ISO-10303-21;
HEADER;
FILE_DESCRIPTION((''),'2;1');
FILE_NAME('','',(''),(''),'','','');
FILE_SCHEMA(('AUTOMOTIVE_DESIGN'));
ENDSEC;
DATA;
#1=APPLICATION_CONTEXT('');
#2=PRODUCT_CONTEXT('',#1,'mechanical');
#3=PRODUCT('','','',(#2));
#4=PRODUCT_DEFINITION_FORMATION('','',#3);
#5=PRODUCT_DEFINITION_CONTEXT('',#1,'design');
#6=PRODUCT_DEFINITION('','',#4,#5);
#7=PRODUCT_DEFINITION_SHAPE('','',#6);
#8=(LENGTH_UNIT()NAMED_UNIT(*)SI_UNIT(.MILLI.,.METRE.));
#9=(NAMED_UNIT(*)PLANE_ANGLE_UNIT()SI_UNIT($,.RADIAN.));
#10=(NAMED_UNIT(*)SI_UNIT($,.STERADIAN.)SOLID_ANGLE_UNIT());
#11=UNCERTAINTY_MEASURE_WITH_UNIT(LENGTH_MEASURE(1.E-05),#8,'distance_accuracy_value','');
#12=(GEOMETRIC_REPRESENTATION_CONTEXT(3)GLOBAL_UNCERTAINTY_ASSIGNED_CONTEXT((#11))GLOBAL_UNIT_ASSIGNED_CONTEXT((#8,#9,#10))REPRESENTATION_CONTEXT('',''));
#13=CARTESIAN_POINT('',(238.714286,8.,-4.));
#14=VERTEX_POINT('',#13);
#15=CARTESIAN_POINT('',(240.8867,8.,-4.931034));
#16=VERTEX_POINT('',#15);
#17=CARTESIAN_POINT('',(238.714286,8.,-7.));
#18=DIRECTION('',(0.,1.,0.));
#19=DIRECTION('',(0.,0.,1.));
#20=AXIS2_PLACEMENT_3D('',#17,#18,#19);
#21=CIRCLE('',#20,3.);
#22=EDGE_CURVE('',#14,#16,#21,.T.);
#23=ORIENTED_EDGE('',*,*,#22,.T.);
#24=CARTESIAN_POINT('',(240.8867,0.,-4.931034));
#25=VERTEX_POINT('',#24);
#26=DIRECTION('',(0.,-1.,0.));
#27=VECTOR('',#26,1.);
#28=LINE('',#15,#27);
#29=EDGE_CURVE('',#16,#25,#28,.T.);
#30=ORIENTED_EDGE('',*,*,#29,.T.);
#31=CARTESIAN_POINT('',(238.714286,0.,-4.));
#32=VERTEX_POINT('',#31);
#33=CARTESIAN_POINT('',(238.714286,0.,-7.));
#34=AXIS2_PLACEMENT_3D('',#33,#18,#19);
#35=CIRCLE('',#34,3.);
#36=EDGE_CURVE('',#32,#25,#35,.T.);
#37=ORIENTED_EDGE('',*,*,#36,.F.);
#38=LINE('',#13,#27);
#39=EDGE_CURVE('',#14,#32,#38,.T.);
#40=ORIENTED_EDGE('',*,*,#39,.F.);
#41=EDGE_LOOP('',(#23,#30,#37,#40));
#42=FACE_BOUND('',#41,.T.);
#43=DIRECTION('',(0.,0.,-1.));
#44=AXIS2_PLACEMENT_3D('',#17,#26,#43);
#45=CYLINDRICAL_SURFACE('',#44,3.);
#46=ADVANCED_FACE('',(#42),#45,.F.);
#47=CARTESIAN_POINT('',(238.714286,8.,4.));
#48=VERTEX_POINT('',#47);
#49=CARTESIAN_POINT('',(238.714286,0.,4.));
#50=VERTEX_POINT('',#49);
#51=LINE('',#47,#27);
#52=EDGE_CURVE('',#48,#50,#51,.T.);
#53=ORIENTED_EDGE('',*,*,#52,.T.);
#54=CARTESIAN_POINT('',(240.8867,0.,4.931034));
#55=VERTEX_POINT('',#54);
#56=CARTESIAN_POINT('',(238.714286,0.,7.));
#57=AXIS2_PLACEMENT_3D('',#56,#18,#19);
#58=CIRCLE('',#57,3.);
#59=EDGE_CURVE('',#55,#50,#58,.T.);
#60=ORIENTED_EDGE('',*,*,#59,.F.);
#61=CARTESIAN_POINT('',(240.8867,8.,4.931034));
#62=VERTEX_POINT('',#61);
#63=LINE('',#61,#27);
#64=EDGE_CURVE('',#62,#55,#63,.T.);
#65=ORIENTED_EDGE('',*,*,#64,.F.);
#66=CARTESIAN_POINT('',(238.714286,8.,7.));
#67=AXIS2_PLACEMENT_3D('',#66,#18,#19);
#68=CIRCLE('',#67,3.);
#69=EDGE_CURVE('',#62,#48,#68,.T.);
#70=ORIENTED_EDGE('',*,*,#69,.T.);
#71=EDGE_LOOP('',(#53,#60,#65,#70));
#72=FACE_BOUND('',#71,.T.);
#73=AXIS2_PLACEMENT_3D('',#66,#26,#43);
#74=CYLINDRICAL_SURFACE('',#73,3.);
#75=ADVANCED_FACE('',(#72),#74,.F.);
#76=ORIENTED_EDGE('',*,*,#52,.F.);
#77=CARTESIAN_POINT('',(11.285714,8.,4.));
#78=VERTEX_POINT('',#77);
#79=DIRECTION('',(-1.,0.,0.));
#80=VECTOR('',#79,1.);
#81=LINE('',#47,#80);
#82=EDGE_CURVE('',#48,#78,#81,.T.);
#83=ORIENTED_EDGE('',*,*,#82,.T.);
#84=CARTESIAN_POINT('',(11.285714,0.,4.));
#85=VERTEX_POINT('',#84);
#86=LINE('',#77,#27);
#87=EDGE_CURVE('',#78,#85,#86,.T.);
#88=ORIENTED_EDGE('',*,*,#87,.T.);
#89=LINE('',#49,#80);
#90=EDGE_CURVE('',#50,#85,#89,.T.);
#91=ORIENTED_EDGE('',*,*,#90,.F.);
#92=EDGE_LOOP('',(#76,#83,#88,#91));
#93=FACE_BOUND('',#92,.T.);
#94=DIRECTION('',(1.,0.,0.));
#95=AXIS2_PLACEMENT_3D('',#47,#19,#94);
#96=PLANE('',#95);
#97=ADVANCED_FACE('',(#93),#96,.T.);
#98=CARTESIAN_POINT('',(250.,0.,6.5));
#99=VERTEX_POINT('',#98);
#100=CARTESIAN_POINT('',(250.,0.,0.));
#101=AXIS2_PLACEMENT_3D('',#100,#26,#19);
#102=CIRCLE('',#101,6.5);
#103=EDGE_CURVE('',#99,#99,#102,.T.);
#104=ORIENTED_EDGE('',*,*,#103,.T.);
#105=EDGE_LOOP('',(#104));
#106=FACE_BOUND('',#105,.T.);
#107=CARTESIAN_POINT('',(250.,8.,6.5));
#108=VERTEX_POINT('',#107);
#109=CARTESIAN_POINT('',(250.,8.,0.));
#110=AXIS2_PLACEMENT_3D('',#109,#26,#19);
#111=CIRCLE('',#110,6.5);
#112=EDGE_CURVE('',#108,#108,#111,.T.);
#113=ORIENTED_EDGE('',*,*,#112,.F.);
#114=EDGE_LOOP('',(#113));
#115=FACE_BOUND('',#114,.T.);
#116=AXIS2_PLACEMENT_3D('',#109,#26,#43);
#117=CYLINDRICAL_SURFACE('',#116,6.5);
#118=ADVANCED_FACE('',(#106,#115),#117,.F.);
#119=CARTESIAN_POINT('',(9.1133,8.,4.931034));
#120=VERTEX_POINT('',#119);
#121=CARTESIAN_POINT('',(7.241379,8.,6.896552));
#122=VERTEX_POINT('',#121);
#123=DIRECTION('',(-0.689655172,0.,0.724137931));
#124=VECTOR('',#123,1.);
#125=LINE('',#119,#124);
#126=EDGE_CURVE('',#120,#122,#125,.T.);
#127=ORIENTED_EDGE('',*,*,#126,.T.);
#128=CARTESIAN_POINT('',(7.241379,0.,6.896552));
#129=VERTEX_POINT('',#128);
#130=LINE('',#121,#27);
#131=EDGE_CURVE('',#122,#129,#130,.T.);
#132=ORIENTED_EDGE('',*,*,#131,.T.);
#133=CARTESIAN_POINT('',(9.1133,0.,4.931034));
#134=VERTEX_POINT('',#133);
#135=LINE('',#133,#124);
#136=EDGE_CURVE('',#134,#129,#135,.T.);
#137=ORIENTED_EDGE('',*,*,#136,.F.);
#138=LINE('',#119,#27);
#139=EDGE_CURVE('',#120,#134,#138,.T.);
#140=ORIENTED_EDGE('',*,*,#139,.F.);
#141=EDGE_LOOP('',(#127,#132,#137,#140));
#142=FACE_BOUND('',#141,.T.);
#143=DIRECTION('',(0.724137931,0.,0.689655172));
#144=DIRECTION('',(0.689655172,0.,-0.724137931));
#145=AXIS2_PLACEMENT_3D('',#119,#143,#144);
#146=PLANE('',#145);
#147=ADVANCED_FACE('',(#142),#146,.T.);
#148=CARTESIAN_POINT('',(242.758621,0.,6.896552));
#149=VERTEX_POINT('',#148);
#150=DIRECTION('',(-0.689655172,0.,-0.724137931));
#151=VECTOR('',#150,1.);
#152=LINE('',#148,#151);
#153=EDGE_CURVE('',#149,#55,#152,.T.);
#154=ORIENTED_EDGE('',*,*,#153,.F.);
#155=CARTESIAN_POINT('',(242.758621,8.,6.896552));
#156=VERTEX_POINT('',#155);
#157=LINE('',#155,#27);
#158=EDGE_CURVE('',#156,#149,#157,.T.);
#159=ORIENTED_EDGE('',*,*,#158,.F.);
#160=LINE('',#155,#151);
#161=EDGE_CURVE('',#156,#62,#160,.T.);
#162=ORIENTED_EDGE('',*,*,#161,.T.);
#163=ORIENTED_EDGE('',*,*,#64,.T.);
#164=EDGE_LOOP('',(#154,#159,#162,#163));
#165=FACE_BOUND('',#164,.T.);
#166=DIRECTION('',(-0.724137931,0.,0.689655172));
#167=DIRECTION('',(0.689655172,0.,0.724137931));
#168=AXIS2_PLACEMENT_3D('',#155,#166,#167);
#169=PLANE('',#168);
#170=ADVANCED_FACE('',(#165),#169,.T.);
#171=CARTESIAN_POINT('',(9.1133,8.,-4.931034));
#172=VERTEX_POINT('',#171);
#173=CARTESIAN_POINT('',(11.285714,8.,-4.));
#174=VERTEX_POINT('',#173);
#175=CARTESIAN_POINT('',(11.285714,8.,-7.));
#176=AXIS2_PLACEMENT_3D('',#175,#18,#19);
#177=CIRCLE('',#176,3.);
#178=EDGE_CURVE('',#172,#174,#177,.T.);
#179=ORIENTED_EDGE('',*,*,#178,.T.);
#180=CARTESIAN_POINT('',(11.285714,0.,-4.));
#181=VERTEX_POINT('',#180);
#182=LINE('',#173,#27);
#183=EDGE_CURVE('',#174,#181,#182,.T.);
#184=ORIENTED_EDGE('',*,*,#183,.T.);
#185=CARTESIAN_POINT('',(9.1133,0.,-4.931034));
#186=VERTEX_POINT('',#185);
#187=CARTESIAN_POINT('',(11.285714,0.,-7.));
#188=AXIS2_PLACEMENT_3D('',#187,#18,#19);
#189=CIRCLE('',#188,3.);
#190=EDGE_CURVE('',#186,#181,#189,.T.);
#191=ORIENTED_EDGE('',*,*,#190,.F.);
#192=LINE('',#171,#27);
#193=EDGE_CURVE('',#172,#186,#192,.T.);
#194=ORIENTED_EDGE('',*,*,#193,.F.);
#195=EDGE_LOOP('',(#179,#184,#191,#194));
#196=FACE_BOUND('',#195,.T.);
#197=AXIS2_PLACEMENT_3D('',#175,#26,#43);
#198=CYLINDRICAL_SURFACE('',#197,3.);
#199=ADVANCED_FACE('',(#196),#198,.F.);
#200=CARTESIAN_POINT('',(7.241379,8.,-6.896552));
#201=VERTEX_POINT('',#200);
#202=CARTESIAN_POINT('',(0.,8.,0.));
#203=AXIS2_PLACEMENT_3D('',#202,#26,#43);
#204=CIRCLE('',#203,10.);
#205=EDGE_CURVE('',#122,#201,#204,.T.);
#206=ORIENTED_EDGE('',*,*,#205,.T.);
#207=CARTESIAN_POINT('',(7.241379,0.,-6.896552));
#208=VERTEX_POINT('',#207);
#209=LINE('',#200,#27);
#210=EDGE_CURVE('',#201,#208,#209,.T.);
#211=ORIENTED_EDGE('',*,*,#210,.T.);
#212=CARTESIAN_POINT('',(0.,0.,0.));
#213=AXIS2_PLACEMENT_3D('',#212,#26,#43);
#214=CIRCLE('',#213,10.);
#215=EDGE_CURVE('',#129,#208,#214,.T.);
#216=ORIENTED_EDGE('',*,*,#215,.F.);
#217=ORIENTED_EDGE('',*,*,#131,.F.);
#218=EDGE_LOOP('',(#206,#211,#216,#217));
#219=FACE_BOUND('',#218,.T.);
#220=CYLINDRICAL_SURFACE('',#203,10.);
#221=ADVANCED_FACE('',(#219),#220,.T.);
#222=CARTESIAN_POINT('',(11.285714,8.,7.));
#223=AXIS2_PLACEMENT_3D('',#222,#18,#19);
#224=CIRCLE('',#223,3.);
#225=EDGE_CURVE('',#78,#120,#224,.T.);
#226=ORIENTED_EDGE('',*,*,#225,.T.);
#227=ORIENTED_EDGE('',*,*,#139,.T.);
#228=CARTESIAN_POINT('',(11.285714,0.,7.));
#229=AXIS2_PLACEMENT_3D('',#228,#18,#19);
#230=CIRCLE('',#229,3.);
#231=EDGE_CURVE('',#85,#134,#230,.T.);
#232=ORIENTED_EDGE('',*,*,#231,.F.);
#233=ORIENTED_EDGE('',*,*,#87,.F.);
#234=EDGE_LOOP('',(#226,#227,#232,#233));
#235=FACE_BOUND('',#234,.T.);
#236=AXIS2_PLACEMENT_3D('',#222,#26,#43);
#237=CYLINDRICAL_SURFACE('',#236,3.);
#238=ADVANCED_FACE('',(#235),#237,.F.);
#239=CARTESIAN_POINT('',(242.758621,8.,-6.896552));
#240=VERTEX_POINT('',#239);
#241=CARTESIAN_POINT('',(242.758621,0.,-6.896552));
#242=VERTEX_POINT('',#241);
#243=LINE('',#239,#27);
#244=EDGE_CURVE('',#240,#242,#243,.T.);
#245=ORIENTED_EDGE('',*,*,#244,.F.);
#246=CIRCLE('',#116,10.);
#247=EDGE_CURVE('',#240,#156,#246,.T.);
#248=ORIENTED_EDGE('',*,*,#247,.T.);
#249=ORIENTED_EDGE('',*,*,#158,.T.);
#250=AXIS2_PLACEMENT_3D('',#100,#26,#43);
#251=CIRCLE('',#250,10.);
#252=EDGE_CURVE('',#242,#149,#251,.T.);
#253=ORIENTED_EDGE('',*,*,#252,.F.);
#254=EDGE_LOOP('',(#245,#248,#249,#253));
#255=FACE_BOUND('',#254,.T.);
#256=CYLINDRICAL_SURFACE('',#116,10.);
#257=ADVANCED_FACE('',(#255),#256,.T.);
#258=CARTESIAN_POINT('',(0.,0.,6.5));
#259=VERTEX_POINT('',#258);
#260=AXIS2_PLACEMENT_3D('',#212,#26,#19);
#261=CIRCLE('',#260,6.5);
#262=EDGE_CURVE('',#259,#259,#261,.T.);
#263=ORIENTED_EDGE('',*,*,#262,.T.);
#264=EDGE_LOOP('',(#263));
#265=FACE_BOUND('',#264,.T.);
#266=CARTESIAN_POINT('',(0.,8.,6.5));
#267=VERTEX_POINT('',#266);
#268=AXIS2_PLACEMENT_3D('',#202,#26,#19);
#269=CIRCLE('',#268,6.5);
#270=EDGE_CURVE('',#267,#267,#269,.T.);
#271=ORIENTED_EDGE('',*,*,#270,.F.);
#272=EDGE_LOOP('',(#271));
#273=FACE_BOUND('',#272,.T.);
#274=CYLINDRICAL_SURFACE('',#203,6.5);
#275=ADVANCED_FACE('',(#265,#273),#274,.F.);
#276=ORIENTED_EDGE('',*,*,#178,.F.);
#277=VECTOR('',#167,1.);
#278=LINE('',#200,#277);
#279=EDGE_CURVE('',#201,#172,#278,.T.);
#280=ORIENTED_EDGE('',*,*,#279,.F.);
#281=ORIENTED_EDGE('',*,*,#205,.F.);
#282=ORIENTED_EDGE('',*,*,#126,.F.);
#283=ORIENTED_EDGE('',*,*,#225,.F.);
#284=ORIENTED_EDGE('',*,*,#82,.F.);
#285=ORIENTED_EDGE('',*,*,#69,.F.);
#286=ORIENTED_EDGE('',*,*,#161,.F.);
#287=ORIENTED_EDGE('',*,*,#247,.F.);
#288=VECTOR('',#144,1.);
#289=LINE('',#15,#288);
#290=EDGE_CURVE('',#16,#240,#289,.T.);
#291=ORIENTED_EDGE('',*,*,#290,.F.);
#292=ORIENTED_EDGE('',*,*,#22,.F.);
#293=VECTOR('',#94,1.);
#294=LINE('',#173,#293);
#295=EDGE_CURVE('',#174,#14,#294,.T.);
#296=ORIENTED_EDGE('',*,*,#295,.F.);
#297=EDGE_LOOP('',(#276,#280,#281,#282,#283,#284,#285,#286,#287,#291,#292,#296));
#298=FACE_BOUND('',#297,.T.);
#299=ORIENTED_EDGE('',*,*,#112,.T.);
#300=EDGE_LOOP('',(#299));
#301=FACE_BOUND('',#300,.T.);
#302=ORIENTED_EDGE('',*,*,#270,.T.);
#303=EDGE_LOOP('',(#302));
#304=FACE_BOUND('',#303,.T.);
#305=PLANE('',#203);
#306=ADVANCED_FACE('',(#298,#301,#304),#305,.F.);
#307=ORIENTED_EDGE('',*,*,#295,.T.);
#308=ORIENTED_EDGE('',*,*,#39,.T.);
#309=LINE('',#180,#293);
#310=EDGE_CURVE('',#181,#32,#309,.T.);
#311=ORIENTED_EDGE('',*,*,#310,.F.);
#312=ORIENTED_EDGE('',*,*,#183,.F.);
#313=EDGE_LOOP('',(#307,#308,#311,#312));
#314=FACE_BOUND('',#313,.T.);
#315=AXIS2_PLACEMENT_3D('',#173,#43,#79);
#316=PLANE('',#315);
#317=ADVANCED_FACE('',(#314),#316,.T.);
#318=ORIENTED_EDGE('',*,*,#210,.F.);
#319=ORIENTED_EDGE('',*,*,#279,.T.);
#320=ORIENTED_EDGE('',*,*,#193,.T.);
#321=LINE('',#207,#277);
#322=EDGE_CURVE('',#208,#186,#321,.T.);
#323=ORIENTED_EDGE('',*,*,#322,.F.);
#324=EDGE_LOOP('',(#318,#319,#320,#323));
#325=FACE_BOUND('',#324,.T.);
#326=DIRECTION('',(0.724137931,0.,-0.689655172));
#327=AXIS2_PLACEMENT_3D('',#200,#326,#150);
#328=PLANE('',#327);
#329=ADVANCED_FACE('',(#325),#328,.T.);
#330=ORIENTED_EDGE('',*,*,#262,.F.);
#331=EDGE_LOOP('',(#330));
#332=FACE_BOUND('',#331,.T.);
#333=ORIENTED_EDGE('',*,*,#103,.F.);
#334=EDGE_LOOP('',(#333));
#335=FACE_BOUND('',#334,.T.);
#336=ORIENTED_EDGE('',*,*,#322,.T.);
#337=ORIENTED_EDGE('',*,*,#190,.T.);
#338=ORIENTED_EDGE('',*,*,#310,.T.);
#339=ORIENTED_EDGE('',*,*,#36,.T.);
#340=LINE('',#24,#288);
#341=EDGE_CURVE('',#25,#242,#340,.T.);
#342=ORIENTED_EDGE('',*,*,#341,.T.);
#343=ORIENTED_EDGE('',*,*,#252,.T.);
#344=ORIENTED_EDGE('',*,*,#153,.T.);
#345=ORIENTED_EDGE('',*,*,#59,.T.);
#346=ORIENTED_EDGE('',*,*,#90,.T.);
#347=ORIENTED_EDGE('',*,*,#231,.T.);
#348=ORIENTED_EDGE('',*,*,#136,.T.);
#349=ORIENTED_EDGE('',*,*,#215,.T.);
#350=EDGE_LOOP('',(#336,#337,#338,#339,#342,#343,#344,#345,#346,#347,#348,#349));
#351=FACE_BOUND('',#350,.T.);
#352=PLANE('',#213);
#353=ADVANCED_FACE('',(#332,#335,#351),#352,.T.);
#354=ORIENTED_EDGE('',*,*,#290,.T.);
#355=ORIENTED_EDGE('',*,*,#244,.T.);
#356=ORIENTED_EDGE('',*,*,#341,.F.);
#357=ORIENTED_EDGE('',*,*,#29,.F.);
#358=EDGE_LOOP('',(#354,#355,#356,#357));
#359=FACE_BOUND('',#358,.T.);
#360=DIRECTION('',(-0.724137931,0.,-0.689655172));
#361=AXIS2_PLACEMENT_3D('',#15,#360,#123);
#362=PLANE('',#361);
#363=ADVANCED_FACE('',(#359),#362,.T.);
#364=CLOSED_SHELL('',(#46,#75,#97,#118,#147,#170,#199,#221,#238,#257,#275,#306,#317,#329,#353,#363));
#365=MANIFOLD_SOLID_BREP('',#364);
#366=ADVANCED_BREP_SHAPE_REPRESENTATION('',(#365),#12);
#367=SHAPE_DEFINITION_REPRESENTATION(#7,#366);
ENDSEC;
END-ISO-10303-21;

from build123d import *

# Parameters (mm, degrees)
SKETCH_1_R      = 6.5
EXTRUDE_1_DEPTH = 8


with BuildPart() as part:
    # Эскиз1 → Бобышка-Вытянуть1 (new body)
    with BuildSketch(Plane.XZ):
        with BuildLine():
            Line((7.24137931, -6.896551724), (9.113300493, -4.931034483))
            ThreePointArc((9.113300493, -4.931034483), (10.10395639, -4.24256491), (11.285714286, -4))
            Line((11.285714286, -4), (238.714285714, -4))
            ThreePointArc((238.714285714, -4), (239.89604361, -4.24256491), (240.886699507, -4.931034483))
            Line((240.886699507, -4.931034483), (242.75862069, -6.896551724))
            ThreePointArc((242.75862069, -6.896551724), (260, 0), (242.75862069, 6.896551724))
            Line((242.75862069, 6.896551724), (240.886699507, 4.931034483))
            ThreePointArc((240.886699507, 4.931034483), (239.89604361, 4.24256491), (238.714285714, 4))
            Line((238.714285714, 4), (11.285714286, 4))
            ThreePointArc((11.285714286, 4), (10.10395639, 4.24256491), (9.113300493, 4.931034483))
            Line((9.113300493, 4.931034483), (7.24137931, 6.896551724))
            ThreePointArc((7.24137931, 6.896551724), (-10, 0), (7.24137931, -6.896551724))
        make_face()
        with Locations(Location((0, 0, 0), (0, 0, 90))):
            Circle(SKETCH_1_R, mode=Mode.SUBTRACT)
        with Locations(Location((250, 0, 0), (0, 0, 90))):
            Circle(SKETCH_1_R, mode=Mode.SUBTRACT)
    extrude(amount=-EXTRUDE_1_DEPTH)


solid = part.part
